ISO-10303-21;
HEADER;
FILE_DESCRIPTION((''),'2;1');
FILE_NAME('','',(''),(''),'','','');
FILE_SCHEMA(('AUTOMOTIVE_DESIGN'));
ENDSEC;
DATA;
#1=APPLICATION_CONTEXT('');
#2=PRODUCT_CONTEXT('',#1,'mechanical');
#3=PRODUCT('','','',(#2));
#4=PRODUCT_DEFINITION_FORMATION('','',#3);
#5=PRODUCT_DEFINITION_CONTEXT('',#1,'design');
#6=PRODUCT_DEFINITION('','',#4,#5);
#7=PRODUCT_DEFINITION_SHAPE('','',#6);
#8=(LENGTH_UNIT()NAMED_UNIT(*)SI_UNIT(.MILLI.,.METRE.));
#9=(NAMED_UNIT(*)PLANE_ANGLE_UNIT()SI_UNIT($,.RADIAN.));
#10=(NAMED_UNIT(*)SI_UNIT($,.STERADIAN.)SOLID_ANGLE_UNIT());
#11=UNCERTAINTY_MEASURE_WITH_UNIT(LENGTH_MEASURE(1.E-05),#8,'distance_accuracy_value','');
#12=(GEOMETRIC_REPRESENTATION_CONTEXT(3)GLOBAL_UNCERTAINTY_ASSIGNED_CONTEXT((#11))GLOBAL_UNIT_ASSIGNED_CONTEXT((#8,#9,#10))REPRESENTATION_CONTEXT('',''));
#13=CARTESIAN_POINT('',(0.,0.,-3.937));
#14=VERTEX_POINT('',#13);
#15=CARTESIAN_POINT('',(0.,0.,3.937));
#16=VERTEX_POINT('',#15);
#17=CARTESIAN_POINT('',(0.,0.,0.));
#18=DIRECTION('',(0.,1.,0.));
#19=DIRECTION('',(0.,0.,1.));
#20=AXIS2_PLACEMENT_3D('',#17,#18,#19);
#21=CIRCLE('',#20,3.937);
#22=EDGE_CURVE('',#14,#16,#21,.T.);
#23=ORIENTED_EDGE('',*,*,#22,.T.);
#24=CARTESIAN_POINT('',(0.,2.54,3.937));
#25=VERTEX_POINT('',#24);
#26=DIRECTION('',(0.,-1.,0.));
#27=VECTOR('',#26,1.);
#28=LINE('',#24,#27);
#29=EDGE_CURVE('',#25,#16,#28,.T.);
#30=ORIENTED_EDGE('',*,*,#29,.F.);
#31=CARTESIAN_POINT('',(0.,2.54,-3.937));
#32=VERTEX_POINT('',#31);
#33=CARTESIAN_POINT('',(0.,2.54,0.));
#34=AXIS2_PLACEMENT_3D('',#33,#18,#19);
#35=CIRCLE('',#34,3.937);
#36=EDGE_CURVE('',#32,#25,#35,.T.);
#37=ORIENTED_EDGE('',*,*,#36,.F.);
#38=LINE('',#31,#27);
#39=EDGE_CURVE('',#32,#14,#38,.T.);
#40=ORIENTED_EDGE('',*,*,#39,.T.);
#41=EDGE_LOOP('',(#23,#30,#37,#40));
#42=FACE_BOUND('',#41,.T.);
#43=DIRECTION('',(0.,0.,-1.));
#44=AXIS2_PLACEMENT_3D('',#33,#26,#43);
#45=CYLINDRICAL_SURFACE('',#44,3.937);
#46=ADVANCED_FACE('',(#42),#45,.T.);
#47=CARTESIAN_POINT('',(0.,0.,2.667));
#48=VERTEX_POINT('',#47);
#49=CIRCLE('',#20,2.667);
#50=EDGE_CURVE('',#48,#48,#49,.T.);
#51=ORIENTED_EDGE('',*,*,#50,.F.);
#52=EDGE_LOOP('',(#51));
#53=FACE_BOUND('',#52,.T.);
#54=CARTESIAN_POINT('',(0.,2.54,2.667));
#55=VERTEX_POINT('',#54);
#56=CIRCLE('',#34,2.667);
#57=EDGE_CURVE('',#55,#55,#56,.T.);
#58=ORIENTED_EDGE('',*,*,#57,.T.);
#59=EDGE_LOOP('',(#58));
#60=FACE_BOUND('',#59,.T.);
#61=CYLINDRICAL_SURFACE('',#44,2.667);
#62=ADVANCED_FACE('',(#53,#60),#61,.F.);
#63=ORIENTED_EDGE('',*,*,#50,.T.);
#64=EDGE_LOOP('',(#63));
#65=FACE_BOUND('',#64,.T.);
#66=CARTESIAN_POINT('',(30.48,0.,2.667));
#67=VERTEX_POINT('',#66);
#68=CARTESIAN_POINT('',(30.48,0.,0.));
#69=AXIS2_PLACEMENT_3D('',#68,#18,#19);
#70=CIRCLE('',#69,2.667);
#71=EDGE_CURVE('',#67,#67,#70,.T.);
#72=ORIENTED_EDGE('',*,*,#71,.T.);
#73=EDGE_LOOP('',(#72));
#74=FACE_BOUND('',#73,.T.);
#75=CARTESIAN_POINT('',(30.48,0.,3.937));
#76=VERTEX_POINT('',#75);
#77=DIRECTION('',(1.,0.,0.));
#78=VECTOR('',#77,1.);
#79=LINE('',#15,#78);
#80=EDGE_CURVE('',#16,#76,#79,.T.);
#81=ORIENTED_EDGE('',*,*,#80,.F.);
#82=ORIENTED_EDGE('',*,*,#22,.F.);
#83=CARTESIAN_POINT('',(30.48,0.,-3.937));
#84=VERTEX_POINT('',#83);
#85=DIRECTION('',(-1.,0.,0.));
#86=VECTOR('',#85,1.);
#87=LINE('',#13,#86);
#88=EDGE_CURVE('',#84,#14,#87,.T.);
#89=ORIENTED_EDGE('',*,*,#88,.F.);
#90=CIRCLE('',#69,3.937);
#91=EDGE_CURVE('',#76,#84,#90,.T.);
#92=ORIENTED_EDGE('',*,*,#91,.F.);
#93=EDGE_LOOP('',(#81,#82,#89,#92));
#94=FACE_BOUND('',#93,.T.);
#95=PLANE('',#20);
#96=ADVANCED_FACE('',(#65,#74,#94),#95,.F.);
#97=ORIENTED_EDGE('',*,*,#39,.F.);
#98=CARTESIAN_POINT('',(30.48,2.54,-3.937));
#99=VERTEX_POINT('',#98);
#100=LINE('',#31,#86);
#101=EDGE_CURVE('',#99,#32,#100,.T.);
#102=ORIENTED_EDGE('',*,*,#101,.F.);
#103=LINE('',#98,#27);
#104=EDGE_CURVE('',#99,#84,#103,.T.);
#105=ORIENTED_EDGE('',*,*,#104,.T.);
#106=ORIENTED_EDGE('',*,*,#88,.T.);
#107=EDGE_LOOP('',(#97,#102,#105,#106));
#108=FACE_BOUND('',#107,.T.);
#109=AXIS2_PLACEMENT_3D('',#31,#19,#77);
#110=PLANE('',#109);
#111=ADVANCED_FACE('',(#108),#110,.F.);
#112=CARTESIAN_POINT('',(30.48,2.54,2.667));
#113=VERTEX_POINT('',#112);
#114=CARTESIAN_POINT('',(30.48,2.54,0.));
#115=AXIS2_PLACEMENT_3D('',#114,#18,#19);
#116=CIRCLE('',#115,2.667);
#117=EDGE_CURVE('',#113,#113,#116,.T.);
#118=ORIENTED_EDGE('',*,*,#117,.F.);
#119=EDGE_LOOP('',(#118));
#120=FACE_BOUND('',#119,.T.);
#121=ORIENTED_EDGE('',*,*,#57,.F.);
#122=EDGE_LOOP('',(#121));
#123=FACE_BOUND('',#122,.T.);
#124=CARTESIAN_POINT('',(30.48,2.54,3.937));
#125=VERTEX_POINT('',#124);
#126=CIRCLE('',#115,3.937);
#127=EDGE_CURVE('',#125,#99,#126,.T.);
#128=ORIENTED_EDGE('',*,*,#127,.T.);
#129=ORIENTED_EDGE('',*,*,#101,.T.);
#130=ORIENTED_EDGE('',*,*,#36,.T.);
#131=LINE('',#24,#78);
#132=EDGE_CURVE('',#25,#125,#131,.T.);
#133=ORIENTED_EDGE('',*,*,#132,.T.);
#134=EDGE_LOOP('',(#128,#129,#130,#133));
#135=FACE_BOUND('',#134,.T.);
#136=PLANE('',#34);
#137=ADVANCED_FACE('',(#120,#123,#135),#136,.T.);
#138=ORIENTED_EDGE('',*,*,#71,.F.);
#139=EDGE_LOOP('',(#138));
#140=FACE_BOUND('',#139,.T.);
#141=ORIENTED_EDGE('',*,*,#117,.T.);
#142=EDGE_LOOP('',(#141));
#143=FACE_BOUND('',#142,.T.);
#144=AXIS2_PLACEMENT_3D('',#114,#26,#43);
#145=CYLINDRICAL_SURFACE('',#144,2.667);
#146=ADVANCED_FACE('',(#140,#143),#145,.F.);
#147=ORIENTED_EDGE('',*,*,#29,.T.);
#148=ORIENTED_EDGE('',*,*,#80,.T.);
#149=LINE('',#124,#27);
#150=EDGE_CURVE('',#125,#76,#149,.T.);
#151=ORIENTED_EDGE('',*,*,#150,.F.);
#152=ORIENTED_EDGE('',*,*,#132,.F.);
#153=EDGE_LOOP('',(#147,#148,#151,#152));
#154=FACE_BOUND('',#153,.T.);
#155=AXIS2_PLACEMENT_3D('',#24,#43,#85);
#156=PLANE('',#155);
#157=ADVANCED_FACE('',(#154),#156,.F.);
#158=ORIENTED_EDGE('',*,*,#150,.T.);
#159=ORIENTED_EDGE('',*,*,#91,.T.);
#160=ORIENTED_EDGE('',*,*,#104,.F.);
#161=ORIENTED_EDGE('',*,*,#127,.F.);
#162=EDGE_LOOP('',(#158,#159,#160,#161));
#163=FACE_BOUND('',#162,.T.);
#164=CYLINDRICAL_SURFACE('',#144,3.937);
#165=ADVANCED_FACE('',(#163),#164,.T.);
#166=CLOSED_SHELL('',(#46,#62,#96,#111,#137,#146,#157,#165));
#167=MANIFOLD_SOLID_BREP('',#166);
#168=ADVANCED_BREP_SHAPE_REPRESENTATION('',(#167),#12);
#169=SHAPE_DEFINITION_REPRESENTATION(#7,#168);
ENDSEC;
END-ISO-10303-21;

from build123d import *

# Parameters (mm, degrees)
SKETCH1_R           = 2.667
BOSS_EXTRUDE1_DEPTH = 2.54


with BuildPart() as part:
    # Sketch1 → Boss-Extrude1 (new body)
    with BuildSketch(Plane(origin=(0, 0, 0), x_dir=(1, 0, 0), z_dir=(0, 1, 0))):
        with BuildLine():
            Line((0, 3.937), (30.48, 3.937))
            ThreePointArc((30.48, 3.937), (34.417, 0), (30.48, -3.937))
            Line((30.48, -3.937), (0, -3.937))
            ThreePointArc((0, -3.937), (-3.937, 0), (0, 3.937))
        make_face()
        with Locations(Location((0, 0, 0), (0, 0, 270))):
            Circle(SKETCH1_R, mode=Mode.SUBTRACT)
        with Locations(Location((30.48, 0, 0), (0, 0, 270))):
            Circle(SKETCH1_R, mode=Mode.SUBTRACT)
    extrude(amount=BOSS_EXTRUDE1_DEPTH)


solid = part.part
